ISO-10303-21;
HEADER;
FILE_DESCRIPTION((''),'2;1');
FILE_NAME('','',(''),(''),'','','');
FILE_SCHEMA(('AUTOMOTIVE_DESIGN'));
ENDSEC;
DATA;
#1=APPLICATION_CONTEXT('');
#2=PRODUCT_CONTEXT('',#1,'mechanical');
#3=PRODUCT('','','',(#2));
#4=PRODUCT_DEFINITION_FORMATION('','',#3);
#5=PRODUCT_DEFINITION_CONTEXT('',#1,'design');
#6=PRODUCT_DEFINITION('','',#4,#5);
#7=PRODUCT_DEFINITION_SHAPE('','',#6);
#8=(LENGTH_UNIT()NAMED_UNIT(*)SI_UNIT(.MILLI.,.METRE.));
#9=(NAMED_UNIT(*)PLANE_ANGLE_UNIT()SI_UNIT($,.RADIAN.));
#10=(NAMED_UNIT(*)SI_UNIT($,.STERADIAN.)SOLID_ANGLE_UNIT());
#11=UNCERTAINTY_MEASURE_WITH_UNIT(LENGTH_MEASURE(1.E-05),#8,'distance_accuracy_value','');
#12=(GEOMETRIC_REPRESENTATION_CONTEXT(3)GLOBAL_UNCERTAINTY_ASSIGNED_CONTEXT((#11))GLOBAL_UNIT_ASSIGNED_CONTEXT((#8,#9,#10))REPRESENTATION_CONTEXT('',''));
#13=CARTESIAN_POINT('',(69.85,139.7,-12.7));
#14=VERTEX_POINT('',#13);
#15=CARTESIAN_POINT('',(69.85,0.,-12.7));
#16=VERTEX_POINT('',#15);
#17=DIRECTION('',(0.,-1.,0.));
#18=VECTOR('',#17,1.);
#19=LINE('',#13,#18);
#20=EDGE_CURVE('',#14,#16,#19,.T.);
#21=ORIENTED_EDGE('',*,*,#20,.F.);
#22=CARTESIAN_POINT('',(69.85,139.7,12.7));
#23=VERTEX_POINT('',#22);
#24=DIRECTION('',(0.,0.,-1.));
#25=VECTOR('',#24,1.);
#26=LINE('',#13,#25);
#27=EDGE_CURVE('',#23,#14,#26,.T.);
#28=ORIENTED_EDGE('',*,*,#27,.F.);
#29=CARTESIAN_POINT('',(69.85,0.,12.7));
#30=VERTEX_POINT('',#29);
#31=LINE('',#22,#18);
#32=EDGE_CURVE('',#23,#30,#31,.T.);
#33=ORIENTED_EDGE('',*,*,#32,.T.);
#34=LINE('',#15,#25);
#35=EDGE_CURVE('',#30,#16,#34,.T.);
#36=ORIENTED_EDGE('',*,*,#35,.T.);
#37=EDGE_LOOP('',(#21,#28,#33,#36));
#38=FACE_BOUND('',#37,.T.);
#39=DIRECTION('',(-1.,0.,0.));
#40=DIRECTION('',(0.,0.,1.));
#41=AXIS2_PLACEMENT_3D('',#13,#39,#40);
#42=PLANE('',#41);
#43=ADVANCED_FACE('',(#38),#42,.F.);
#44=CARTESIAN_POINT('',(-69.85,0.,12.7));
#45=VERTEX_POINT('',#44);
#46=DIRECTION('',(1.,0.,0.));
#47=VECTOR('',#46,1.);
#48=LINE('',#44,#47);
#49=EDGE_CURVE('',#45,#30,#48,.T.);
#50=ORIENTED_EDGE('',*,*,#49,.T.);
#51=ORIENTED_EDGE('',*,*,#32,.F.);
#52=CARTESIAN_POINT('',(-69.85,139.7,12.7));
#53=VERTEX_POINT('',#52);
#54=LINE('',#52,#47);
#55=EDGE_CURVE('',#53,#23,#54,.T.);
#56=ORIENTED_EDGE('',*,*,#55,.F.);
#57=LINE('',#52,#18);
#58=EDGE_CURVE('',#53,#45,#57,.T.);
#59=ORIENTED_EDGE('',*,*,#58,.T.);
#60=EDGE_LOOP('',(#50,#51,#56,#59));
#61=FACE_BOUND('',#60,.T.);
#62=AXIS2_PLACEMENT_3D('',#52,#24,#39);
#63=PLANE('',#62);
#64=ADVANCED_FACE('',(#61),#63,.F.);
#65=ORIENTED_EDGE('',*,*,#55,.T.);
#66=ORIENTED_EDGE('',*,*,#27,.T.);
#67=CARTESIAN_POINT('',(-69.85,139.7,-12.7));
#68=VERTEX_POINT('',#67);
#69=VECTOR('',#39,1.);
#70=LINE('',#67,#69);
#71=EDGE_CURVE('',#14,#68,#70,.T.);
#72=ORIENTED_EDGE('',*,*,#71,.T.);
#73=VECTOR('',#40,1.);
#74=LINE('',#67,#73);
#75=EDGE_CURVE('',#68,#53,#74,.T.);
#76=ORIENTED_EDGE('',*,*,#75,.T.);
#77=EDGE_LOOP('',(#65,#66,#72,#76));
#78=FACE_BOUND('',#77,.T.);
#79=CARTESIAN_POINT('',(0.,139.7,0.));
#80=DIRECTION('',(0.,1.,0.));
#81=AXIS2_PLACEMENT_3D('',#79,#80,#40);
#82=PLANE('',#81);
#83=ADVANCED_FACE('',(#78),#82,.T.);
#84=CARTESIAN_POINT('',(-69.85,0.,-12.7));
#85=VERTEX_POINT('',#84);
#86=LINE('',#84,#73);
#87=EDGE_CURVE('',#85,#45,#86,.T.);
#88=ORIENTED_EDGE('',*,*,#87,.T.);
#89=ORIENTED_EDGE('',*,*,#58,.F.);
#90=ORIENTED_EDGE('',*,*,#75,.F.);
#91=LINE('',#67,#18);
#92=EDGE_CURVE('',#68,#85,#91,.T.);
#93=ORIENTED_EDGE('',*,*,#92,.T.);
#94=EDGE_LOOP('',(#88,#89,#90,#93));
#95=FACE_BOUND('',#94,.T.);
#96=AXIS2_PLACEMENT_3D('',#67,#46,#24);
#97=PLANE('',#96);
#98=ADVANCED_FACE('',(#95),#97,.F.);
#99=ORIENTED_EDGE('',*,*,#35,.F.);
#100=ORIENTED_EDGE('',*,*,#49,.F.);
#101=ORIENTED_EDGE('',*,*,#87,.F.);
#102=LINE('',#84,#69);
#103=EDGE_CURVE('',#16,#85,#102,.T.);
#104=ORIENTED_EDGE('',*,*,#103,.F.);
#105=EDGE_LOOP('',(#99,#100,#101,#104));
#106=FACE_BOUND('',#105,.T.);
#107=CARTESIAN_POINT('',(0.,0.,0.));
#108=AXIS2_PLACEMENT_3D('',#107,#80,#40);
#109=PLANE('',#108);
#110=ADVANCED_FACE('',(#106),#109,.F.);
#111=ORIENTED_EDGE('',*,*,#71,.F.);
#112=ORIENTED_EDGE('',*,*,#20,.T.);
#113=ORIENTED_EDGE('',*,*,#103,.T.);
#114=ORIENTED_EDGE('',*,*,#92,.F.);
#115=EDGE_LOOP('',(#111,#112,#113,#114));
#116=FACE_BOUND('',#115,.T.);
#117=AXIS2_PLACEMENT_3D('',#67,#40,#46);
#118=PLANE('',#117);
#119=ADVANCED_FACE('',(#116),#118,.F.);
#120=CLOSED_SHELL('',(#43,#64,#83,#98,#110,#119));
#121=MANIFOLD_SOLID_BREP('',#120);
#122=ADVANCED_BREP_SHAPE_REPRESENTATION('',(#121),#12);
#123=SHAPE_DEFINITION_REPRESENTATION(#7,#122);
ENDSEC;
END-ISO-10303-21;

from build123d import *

# Parameters (mm, degrees)
SKETCH1_W           = 139.7
SKETCH1_H           = 25.4
BOSS_EXTRUDE1_DEPTH = 139.7


with BuildPart() as part:
    # Sketch1 → Boss-Extrude1 (new body)
    with BuildSketch(Plane(origin=(0, 0, 0), x_dir=(1, 0, 0), z_dir=(0, 1, 0))):
        Rectangle(SKETCH1_W, SKETCH1_H)
    extrude(amount=BOSS_EXTRUDE1_DEPTH)


solid = part.part
